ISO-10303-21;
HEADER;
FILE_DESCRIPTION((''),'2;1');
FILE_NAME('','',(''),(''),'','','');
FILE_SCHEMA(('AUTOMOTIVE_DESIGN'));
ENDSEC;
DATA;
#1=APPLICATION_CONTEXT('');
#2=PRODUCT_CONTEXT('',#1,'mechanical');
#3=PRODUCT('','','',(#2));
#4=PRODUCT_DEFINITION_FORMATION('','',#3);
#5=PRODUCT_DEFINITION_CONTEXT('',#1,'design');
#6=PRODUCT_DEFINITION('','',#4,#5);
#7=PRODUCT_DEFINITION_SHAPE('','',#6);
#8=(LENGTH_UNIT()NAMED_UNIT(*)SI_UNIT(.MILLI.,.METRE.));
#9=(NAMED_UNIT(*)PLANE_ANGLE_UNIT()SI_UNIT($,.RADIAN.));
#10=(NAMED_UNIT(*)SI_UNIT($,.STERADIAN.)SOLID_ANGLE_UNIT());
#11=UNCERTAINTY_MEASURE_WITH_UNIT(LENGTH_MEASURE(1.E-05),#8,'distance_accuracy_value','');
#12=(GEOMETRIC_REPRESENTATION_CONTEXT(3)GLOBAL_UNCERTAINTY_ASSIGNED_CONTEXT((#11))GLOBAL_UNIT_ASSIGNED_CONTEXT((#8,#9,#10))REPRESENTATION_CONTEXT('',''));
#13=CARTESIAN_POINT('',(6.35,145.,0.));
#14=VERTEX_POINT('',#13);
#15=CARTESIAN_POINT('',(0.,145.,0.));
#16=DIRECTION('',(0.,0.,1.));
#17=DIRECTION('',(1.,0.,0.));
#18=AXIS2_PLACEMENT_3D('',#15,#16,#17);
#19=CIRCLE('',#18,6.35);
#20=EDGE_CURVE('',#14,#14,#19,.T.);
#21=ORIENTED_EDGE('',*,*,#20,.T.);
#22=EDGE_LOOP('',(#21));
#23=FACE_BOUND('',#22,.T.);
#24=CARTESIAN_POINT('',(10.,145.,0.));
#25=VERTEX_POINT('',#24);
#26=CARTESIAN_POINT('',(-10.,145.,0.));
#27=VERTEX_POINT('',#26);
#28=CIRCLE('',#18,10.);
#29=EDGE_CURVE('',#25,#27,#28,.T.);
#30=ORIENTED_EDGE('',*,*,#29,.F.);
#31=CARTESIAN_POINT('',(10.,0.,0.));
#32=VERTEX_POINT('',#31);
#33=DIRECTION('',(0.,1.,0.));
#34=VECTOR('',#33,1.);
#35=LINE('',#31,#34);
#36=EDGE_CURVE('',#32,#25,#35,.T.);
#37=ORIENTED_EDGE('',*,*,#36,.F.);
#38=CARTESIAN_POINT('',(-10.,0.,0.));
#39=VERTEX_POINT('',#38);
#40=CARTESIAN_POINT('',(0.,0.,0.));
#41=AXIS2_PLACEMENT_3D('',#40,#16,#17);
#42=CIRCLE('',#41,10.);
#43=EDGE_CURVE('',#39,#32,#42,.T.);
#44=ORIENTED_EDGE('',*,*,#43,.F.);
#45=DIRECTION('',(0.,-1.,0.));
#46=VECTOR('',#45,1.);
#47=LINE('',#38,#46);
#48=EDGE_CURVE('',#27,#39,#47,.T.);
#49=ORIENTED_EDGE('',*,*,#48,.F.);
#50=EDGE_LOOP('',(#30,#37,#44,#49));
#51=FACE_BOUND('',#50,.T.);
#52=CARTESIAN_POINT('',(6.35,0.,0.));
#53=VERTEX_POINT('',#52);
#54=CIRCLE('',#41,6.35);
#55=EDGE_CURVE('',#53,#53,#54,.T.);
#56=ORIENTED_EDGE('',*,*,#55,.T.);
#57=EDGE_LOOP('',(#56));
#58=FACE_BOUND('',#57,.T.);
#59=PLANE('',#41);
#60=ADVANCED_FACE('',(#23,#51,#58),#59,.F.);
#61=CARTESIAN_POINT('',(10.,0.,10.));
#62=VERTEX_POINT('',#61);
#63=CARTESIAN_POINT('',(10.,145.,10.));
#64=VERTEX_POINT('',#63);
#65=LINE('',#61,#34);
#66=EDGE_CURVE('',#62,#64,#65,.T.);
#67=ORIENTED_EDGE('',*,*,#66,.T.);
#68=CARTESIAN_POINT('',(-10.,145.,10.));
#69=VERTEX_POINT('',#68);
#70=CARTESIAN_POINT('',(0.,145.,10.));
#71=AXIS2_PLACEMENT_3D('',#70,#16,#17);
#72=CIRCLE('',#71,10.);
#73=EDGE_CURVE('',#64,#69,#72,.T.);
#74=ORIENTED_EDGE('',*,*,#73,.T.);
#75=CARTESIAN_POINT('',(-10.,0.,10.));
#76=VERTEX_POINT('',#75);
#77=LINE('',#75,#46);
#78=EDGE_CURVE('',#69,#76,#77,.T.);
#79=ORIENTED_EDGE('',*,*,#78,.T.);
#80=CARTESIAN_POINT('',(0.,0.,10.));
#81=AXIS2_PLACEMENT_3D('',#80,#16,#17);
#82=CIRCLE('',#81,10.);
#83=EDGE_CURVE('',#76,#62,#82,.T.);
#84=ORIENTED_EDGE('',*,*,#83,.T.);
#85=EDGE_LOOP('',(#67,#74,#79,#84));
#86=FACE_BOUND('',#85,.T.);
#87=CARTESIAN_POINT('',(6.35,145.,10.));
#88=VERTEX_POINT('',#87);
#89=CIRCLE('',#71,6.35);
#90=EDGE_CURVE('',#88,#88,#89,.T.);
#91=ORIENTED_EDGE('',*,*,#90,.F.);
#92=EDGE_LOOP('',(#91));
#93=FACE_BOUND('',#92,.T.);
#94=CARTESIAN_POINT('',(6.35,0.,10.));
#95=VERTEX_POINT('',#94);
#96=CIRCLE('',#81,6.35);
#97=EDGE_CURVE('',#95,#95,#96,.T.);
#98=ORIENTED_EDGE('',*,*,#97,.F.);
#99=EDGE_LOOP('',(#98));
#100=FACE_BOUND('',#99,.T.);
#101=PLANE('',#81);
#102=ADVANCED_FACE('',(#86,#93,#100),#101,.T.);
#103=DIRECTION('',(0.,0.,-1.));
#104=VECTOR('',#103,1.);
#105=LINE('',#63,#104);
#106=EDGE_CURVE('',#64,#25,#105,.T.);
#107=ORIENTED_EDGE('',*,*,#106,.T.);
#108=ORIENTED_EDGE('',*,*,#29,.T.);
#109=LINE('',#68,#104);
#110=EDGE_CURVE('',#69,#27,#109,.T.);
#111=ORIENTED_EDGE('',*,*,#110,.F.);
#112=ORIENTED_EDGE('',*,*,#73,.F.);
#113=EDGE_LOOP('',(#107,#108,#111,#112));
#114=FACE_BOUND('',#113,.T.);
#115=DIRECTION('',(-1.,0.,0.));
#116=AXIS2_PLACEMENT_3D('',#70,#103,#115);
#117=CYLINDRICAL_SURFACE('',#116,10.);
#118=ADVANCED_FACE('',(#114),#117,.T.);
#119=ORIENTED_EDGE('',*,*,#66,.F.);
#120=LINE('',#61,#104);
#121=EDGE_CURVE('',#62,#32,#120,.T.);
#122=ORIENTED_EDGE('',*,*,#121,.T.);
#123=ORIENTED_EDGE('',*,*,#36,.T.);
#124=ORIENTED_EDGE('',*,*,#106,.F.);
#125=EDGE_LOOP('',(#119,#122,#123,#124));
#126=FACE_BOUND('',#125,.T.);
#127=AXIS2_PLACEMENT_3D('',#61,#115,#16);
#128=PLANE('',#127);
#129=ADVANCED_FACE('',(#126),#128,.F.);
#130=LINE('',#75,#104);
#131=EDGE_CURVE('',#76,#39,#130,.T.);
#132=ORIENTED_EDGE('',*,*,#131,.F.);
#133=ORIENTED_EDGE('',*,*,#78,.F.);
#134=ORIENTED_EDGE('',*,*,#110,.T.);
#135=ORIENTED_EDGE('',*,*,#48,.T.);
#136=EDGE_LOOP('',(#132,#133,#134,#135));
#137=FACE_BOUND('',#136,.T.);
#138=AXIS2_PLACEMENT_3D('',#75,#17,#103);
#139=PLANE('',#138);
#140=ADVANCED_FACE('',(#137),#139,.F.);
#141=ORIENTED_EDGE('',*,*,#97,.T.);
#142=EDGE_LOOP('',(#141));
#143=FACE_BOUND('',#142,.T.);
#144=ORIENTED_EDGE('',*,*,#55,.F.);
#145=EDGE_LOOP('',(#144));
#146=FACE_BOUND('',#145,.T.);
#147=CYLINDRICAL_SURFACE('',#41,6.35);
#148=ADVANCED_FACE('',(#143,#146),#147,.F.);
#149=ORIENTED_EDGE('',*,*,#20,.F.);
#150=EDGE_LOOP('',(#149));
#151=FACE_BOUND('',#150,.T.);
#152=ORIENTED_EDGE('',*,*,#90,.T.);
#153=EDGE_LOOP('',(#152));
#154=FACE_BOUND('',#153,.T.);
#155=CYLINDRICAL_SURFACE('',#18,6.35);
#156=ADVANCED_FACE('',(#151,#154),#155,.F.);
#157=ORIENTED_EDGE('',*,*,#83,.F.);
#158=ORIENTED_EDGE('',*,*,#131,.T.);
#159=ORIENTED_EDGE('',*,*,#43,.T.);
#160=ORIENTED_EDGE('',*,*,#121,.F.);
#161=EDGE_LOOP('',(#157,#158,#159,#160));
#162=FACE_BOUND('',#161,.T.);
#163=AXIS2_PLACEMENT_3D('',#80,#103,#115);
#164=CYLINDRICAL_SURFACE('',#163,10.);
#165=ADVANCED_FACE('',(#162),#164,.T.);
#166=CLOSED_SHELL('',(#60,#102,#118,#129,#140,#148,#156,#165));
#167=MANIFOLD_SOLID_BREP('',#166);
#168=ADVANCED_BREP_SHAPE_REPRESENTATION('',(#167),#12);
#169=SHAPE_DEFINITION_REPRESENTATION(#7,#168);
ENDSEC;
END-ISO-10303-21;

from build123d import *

# Parameters (mm, degrees)
BOSS_EXTRUDE1_DEPTH = 10
SKETCH2_R           = 6.35
CUT_EXTRUDE1_DEPTH  = 156.643824163


with BuildPart() as part:
    # Sketch1 → Boss-Extrude1 (new body)
    with BuildSketch(Plane.XY):
        with BuildLine():
            Line((-10, 0), (-10, 145))
            ThreePointArc((-10, 145), (0, 155), (10, 145))
            Line((10, 145), (10, 0))
            ThreePointArc((10, 0), (0, -10), (-10, 0))
        make_face()
    extrude(amount=BOSS_EXTRUDE1_DEPTH)

    # Sketch2 → Cut-Extrude1 (cut, through all)
    with BuildSketch(Plane.XY.offset(10)):
        with Locations((0, 145)):
            Circle(SKETCH2_R)
        Circle(SKETCH2_R)
    extrude(amount=-CUT_EXTRUDE1_DEPTH, mode=Mode.SUBTRACT)


solid = part.part
